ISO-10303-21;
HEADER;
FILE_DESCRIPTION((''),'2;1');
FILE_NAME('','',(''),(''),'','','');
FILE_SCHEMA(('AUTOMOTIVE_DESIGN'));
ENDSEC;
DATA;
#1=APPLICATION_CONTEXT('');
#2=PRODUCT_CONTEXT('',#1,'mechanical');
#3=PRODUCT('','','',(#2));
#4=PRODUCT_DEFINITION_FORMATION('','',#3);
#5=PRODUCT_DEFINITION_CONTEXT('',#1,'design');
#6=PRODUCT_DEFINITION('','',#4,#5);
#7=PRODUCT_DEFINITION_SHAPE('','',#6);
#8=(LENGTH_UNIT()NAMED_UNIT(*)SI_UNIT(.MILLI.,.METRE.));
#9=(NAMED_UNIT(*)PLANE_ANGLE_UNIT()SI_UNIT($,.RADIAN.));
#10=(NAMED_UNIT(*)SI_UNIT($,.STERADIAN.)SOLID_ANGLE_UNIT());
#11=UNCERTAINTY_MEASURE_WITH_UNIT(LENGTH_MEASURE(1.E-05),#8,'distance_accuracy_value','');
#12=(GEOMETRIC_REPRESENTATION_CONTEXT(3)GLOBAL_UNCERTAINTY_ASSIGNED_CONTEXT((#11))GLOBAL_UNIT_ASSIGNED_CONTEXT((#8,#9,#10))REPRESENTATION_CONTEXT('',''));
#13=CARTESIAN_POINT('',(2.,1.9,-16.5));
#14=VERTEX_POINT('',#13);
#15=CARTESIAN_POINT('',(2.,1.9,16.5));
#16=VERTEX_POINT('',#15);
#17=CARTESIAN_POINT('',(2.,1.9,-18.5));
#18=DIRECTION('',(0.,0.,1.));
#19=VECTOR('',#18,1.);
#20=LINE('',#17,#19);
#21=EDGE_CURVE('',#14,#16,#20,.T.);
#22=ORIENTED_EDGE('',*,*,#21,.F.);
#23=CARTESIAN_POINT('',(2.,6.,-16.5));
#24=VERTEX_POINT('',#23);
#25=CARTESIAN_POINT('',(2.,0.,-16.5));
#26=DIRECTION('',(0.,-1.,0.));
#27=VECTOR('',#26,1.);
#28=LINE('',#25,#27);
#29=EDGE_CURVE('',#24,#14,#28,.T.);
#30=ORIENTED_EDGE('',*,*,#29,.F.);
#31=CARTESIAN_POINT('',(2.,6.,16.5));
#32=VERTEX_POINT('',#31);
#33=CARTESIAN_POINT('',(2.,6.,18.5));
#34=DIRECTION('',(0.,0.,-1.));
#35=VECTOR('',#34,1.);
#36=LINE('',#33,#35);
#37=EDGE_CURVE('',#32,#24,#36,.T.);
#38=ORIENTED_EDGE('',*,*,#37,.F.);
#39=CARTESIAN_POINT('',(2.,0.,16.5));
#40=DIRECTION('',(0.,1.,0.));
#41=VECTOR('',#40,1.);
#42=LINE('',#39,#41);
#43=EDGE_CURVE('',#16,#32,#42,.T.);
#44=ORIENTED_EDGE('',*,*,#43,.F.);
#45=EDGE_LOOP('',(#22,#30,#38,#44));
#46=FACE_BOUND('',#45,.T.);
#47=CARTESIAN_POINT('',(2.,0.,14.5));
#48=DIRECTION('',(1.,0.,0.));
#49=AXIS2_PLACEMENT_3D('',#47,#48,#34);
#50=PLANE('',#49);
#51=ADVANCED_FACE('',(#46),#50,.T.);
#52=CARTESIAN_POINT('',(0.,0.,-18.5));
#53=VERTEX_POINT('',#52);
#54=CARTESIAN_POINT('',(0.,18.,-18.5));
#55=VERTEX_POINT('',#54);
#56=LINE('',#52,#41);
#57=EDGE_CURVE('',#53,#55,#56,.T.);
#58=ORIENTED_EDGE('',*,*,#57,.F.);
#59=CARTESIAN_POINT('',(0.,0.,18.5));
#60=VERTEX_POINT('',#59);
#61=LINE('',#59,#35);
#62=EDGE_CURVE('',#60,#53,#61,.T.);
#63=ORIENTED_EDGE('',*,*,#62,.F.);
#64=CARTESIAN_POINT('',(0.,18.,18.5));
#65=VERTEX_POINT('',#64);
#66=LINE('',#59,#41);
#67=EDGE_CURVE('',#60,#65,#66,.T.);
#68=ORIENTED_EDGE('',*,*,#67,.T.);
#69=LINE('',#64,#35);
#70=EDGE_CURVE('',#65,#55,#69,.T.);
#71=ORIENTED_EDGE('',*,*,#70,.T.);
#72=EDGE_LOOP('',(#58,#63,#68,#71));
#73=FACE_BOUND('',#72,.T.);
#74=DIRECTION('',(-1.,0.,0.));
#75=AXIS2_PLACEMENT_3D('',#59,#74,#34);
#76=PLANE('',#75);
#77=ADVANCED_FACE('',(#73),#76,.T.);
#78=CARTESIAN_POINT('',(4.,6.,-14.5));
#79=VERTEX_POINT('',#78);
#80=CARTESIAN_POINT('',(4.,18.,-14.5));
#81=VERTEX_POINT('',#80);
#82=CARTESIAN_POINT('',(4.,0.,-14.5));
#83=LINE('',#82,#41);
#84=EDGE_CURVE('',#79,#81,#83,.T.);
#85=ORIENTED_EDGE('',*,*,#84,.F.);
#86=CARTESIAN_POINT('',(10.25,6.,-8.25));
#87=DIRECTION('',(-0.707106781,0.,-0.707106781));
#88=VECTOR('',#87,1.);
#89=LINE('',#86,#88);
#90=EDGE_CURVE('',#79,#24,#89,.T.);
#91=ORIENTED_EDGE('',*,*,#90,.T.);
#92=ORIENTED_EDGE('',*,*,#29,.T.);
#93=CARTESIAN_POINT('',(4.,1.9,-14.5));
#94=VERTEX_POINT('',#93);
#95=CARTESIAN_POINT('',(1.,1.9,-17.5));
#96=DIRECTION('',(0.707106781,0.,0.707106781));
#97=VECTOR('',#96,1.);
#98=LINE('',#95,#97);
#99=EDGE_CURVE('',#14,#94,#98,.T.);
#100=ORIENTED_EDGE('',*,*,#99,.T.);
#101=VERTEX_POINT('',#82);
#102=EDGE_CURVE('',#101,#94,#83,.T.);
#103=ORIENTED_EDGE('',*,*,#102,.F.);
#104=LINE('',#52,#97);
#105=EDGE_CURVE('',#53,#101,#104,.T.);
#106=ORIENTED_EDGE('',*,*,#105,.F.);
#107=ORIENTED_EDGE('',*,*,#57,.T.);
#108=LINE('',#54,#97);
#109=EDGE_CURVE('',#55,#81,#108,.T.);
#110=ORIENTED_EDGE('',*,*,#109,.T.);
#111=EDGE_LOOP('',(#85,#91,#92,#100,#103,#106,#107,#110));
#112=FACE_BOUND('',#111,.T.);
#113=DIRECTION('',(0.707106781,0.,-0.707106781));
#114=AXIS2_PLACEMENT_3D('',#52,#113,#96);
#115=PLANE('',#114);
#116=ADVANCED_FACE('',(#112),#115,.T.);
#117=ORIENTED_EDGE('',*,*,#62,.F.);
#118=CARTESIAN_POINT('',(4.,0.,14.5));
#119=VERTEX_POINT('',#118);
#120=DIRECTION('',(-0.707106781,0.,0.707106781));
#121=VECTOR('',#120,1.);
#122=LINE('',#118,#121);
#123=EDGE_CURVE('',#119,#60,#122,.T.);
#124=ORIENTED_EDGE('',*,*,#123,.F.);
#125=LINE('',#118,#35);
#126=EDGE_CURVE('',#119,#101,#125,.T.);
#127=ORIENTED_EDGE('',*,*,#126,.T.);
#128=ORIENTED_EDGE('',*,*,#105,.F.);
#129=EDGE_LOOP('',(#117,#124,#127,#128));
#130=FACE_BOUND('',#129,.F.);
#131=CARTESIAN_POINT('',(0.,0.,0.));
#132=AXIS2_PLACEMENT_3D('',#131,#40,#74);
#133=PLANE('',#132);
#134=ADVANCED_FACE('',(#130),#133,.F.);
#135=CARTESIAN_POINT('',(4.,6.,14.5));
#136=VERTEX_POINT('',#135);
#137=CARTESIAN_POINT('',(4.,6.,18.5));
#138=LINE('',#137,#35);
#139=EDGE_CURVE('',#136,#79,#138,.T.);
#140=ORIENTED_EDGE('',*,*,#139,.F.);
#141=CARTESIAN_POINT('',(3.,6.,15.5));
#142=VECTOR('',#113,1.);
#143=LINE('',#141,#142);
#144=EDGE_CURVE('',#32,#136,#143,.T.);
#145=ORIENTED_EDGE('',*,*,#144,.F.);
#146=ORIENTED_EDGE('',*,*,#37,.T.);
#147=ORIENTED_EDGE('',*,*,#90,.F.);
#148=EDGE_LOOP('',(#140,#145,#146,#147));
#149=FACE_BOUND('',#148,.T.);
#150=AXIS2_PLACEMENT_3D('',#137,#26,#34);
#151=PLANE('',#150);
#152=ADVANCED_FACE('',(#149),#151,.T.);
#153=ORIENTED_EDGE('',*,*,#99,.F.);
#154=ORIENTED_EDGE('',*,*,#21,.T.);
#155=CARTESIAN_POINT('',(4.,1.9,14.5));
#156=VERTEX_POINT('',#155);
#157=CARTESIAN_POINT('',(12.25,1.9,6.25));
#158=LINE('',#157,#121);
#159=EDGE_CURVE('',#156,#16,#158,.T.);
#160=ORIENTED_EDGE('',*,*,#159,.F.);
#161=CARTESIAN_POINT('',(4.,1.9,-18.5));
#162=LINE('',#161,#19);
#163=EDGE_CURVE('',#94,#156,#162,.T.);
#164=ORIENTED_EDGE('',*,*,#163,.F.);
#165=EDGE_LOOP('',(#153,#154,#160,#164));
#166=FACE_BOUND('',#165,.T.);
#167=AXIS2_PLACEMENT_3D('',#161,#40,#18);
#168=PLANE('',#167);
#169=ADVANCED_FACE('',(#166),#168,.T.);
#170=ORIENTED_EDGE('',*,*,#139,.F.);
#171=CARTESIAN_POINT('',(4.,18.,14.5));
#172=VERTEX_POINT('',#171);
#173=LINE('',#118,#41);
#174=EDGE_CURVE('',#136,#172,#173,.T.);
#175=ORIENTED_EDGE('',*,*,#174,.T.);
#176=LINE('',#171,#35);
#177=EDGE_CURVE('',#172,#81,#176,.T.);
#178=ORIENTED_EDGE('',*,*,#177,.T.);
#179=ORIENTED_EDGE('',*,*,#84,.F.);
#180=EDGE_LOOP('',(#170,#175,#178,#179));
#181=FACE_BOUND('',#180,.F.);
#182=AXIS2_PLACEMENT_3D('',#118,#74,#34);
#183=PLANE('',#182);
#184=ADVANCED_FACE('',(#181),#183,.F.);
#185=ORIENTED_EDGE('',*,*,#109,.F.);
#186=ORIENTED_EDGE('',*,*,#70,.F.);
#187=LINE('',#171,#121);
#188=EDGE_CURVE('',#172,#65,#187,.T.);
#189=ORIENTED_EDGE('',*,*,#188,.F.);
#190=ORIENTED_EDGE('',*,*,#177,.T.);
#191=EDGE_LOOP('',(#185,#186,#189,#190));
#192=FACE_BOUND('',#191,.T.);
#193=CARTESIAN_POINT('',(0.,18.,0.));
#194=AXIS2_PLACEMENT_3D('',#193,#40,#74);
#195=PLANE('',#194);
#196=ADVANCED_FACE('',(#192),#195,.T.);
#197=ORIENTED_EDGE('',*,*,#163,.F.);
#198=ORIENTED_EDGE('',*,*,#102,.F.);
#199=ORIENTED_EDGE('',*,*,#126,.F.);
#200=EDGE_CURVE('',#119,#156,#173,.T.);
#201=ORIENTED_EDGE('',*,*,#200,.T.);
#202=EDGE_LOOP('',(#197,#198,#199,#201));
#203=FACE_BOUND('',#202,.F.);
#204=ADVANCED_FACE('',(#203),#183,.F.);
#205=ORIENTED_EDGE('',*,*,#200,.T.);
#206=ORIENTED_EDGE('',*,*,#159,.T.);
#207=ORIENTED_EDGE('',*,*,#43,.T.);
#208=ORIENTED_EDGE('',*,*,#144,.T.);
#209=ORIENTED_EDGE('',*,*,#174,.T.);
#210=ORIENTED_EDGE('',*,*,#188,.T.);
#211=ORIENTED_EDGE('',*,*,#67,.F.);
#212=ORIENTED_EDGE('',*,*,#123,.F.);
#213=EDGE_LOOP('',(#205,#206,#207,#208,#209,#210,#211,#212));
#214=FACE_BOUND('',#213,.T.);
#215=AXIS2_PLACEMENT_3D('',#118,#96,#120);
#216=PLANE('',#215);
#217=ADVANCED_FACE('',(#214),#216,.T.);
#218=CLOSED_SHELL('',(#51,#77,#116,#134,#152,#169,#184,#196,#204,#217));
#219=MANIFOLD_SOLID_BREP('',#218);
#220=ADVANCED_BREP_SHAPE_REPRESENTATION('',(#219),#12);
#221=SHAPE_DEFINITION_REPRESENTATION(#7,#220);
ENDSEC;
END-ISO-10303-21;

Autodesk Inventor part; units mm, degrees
ref_plane "YZ Plane" through (0, 0, 0) normal (1, 0, 0) x (0, 1, 0)
ref_plane "XZ Plane" through (0, 0, 0) normal (0, 1, 0) x (-1, 0, 0)
ref_plane "XY Plane" through (0, 0, 0) normal (0, 0, 1) x (1, 0, 0)
sketch "Sketch1" plane through (0, 0, 0) normal (0, 1, 0) x (-1, 0, 0)
  line L0 (0, 18.5) -> (0, -18.5)
  line L1 (-4, 14.5) -> (-4, -14.5)
  line L2 (0, 0) -> (-19.6483, 0) construction
  line L3 (-4, 14.5) -> (0, 18.5)
  line L4 (0, -18.5) -> (-4, -14.5)
  point P0 (-4, 0)
  dimension "d6" = 37
  dimension "d7" = 29
  dimension "d8" = 4
extrude "Extrusion1" add sketch "Sketch1" along normal blind 18
sketch "Sketch2" plane through (4, 0, 14.5) normal (1, 0, 0) x (0, 0, -1)
  line L0 (-4, 0) -> (-4, 18) projected
  line L1 (33, 0) -> (33, 18) projected
  line L2 (-4, 6) -> (33, 6)
  line L3 (33, 6) -> (33, 1.9)
  line L4 (33, 1.9) -> (-4, 1.9)
  line L5 (-4, 1.9) -> (-4, 6)
  line L6 (0, 0) -> (29, 0) projected
  point P0 (14.5, 0)
  point P1 (-4, 1.9)
  dimension "d11" = 4.1
  dimension "d12" = 1.9
extrude "Extrusion2" cut sketch "Sketch2" against normal blind 2
properties part number "long PDMS Chamber top-bottom"
